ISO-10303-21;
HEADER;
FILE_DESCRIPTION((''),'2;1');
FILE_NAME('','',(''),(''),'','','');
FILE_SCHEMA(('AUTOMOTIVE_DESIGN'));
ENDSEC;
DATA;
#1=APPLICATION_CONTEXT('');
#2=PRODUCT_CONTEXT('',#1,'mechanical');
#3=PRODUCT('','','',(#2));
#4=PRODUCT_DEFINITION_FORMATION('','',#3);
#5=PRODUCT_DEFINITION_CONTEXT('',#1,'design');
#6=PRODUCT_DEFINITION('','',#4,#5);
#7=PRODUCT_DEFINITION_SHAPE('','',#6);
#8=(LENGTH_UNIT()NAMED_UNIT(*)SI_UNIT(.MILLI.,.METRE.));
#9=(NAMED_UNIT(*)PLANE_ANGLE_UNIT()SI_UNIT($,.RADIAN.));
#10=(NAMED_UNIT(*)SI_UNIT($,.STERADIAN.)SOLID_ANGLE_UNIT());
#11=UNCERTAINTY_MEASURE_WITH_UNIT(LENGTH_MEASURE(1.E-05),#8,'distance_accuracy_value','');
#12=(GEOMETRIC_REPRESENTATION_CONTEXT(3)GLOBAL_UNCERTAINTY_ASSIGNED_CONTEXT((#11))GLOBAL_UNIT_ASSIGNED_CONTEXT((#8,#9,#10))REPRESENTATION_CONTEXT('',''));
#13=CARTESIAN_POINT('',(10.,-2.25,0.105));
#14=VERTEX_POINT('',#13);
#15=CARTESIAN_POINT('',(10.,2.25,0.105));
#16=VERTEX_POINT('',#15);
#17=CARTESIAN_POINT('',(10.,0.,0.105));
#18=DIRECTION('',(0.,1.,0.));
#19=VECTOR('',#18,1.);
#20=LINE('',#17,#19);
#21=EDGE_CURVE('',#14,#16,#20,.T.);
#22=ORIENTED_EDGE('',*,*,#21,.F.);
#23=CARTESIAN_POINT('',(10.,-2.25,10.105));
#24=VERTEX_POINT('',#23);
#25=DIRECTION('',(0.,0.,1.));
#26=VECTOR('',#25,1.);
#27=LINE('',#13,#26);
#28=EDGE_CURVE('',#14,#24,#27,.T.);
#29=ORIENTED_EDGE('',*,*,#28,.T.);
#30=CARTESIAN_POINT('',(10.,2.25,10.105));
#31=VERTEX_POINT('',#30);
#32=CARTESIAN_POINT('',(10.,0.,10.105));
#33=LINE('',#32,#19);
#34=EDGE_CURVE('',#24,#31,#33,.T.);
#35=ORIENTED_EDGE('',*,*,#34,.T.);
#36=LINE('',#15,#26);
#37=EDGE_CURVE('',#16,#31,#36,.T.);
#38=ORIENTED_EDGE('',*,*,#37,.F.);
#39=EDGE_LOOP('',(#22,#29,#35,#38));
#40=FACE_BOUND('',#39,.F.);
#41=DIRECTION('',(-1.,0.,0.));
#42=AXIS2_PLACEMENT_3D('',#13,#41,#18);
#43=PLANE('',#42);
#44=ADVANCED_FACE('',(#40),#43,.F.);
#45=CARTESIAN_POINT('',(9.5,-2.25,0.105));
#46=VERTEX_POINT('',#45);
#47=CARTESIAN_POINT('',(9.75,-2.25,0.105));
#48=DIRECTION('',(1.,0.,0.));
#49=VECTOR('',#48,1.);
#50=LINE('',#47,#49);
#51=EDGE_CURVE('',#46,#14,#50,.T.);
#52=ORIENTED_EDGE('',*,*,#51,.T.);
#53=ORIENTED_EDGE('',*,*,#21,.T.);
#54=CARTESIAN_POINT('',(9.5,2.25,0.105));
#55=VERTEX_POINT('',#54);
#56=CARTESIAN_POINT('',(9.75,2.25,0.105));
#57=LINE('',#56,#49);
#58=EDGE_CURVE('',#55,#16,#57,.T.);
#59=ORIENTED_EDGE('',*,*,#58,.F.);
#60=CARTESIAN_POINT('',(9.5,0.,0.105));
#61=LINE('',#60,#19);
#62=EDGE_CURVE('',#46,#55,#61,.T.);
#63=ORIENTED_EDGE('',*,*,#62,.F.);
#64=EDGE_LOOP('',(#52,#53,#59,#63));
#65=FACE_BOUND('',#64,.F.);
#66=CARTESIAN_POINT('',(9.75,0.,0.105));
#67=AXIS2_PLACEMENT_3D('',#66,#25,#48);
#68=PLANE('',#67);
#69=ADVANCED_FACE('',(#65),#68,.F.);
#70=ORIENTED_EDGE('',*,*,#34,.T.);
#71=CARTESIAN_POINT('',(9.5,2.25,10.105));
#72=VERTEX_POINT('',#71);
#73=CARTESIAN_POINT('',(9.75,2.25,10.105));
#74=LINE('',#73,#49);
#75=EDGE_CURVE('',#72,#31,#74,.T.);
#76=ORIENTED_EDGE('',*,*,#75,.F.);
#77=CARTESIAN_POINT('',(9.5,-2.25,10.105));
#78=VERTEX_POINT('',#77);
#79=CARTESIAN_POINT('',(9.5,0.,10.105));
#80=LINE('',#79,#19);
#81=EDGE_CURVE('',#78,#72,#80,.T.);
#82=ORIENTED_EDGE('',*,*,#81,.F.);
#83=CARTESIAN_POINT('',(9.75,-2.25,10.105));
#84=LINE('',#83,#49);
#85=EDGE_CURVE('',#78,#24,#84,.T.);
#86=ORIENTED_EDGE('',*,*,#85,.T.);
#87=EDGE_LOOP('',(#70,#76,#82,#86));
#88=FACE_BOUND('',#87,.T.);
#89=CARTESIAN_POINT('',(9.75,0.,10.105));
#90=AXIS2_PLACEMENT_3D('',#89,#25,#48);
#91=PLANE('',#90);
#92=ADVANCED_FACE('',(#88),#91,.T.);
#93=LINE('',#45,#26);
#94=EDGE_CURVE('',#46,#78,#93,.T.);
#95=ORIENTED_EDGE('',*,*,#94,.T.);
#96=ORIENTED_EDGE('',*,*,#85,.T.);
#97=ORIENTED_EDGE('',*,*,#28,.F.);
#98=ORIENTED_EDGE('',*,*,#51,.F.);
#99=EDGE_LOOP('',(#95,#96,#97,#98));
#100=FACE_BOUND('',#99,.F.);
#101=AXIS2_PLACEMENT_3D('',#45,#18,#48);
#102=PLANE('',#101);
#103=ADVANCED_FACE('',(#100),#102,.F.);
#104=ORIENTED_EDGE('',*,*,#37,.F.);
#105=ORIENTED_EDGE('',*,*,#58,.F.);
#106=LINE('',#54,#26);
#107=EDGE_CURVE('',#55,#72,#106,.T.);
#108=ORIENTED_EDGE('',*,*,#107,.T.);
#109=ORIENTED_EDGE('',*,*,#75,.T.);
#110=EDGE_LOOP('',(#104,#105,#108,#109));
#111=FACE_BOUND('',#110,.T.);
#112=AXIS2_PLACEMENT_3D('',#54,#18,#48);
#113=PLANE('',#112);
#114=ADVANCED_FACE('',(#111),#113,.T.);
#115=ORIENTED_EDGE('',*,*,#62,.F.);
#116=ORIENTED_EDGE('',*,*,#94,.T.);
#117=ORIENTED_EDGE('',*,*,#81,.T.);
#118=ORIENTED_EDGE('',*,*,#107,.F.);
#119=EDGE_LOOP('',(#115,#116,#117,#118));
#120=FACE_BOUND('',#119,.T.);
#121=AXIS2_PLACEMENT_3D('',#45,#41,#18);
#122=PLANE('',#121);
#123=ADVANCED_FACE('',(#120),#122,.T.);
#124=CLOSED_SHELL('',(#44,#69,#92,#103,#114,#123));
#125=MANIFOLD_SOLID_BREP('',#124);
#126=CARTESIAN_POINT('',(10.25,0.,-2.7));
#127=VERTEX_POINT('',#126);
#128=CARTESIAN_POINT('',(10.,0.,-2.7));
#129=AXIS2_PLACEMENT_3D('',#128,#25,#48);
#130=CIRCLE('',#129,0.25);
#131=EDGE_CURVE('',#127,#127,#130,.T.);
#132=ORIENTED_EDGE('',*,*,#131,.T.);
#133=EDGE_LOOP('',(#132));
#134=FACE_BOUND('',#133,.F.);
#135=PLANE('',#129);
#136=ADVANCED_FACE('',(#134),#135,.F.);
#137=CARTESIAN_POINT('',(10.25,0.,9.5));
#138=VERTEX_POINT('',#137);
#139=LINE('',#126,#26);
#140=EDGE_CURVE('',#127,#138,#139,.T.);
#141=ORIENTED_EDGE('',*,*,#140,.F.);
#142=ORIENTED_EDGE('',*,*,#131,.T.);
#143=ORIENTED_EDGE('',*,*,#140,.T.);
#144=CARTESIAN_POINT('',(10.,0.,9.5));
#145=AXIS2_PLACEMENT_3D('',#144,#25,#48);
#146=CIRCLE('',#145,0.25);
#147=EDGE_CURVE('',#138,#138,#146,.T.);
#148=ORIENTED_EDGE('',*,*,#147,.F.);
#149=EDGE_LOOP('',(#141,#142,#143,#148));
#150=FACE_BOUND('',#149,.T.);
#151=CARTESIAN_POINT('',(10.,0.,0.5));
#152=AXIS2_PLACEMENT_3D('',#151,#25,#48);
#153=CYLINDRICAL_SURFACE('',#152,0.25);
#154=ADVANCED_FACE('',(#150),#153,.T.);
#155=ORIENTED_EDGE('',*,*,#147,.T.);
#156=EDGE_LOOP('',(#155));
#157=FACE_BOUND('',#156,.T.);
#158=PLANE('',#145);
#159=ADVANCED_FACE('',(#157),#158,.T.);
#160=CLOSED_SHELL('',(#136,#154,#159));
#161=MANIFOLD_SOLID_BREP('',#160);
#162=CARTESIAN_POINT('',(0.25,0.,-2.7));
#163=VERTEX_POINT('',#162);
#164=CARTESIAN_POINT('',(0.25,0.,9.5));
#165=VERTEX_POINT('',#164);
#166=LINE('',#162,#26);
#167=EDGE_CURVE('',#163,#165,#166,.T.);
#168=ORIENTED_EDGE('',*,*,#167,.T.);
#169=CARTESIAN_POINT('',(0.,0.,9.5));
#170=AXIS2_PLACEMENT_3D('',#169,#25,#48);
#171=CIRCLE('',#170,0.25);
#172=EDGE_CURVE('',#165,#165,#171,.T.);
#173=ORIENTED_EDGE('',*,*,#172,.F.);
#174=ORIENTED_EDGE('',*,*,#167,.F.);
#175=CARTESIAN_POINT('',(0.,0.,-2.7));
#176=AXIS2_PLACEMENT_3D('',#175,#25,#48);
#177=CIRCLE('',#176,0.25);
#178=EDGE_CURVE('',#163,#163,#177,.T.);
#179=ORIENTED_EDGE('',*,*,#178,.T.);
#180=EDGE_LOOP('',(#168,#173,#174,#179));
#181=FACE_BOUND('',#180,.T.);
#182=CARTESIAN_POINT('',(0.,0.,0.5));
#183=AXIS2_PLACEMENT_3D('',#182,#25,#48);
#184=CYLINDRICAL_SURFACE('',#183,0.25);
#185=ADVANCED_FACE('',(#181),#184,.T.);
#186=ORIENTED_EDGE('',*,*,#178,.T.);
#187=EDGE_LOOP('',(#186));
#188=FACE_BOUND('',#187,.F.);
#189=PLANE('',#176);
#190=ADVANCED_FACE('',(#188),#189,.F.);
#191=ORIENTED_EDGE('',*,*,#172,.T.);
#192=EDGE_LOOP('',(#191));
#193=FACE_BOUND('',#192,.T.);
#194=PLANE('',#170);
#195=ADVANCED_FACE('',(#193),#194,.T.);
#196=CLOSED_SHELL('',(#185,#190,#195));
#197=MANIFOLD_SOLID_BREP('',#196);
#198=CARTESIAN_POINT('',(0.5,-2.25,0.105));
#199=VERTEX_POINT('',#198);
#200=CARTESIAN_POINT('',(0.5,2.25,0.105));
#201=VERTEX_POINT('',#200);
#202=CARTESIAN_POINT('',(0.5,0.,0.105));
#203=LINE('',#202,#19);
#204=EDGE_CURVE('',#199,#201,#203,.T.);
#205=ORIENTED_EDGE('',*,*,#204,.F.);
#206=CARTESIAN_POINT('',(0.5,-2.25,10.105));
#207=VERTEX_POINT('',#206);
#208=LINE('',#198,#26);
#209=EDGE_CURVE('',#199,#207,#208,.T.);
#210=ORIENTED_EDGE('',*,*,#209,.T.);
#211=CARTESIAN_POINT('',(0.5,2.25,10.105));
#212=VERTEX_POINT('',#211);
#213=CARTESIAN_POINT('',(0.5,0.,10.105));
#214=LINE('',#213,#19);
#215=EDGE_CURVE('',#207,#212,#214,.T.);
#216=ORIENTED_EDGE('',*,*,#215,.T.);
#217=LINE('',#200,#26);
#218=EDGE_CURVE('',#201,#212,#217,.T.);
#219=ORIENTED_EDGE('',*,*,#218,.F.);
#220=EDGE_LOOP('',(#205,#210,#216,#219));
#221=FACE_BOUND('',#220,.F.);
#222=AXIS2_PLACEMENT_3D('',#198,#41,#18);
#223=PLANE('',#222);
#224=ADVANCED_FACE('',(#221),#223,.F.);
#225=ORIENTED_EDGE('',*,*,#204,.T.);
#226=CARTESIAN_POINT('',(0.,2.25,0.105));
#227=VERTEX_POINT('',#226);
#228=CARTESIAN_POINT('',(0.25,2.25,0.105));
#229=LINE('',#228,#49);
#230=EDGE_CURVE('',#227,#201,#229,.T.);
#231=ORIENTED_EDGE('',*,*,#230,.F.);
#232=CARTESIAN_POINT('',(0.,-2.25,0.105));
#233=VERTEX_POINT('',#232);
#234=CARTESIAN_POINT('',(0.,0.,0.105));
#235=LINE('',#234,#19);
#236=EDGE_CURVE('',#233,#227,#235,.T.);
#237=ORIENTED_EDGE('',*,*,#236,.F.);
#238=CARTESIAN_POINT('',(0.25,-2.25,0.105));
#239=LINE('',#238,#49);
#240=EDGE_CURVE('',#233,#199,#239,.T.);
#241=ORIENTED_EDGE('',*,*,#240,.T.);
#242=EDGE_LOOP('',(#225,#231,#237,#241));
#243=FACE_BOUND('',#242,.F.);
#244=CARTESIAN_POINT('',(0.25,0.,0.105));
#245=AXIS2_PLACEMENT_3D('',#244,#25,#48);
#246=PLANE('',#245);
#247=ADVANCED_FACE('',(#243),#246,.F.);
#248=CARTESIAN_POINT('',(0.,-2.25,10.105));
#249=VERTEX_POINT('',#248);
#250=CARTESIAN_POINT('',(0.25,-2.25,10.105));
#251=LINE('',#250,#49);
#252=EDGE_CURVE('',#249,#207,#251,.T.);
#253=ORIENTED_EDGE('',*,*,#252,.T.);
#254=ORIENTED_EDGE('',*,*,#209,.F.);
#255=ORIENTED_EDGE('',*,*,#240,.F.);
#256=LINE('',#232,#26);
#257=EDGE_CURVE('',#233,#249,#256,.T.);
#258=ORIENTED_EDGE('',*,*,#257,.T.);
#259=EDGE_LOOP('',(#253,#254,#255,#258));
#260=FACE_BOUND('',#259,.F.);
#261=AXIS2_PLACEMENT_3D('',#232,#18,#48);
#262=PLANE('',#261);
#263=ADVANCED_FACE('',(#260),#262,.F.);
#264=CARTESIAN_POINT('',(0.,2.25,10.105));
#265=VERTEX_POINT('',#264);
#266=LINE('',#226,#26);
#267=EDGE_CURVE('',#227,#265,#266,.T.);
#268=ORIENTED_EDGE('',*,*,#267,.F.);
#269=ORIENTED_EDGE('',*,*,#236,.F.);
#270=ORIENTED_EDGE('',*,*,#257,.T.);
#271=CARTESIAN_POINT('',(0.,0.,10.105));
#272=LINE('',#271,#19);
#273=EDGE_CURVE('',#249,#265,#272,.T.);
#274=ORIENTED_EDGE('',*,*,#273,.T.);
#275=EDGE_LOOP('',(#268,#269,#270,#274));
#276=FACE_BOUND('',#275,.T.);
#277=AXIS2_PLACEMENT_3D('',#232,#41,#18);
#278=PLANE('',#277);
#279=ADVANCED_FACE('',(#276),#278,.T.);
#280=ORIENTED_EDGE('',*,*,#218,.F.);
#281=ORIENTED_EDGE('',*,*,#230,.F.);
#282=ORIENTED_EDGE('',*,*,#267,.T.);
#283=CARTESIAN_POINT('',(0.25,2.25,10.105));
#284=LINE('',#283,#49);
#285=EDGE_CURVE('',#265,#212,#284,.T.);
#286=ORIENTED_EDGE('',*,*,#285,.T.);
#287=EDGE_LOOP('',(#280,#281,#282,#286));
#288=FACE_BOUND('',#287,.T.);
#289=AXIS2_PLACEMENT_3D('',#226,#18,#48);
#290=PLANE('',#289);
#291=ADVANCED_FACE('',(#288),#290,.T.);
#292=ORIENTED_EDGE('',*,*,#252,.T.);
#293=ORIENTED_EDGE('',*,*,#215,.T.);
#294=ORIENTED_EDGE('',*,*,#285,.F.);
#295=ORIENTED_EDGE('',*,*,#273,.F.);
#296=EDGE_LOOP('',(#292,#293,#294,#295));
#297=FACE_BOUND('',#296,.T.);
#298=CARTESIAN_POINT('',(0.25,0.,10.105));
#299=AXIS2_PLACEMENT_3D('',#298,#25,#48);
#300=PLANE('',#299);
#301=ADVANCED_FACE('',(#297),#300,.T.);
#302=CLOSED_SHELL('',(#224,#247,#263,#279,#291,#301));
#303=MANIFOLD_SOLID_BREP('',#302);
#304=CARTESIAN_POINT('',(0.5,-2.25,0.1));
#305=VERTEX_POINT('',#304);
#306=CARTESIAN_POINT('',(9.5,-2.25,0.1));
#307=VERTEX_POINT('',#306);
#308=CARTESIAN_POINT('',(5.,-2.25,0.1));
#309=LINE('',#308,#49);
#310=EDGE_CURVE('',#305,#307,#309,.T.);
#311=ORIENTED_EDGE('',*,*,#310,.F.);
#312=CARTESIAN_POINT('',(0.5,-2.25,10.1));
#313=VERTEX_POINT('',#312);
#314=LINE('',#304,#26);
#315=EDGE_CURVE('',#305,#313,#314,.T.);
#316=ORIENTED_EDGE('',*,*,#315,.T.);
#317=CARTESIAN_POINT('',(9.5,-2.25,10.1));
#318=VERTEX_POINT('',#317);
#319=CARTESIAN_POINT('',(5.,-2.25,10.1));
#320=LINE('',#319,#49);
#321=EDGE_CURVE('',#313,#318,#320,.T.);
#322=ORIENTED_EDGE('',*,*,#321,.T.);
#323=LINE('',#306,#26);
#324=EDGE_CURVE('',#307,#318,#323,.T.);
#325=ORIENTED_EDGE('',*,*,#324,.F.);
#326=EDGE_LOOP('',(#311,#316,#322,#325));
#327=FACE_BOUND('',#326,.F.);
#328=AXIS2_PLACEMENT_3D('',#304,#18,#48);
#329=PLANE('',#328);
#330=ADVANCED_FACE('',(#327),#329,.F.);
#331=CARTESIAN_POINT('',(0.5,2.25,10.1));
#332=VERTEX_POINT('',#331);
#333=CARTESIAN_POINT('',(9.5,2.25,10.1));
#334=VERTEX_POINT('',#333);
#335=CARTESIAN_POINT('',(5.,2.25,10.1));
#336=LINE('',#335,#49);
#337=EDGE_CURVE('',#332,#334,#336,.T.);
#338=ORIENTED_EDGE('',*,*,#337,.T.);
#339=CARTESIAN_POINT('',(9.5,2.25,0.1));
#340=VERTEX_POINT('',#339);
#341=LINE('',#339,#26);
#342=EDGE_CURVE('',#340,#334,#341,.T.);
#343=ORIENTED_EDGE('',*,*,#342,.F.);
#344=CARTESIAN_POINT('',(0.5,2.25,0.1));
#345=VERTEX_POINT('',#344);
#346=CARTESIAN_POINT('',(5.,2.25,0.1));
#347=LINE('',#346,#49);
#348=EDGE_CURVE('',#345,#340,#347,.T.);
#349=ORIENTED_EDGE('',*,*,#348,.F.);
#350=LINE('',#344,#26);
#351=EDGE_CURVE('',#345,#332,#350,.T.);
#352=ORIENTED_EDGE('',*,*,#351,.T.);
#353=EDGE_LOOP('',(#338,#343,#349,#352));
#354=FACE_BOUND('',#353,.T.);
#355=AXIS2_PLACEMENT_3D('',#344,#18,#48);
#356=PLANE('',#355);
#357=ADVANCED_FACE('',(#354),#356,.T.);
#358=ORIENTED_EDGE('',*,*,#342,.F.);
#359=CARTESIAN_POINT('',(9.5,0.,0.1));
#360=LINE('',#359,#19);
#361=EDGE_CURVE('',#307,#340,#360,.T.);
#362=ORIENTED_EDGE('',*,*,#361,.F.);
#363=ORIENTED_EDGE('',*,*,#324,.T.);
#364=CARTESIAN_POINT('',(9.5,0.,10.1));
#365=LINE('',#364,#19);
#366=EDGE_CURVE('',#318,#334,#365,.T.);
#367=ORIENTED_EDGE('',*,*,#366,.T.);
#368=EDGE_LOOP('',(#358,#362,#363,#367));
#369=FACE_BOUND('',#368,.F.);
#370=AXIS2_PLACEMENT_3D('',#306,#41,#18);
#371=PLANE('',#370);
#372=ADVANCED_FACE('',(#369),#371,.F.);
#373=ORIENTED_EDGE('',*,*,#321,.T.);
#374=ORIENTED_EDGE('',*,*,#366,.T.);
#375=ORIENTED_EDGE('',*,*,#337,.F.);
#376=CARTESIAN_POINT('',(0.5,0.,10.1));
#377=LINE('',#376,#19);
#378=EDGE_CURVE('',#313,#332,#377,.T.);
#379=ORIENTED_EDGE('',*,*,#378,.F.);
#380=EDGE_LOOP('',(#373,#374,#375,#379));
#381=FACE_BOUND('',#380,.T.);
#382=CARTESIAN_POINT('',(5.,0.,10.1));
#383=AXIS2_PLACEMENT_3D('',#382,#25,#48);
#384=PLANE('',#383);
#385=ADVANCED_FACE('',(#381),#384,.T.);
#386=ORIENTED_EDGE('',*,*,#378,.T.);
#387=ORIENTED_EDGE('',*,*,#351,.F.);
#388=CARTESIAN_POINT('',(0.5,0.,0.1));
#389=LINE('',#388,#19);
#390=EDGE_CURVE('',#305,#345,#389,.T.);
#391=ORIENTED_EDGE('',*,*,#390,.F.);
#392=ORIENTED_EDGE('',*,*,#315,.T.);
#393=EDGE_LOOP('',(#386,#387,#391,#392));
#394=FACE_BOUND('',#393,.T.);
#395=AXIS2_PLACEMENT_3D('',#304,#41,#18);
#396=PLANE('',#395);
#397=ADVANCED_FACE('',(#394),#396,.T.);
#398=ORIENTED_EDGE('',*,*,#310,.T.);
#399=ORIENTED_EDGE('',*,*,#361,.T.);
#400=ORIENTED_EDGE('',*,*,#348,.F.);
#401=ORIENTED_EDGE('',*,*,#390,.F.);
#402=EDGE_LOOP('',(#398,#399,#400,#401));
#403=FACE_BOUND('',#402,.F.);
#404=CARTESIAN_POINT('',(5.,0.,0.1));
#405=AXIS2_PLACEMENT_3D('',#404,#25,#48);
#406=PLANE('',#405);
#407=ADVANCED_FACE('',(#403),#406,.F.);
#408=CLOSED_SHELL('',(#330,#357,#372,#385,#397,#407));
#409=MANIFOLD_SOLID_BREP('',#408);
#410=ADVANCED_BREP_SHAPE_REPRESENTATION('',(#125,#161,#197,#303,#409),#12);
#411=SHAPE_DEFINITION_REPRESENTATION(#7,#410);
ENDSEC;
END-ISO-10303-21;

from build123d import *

# Parameters (mm, degrees)
SKETCH_W          = 9
SKETCH_H          = 4.5
PAD_DEPTH         = 10
SKETCH001_R       = 0.25
PAD001_DEPTH      = 9
PAD001_DEPTH_BACK = 3.2
SKETCH002_W       = 0.5
SKETCH002_H       = 4.5
PAD002_DEPTH      = 10


with BuildPart() as pad:
    # Sketch → Pad (new body)
    with BuildSketch(Plane.XY.offset(0.1)):
        with Locations((5, 0)):
            Rectangle(SKETCH_W, SKETCH_H)
    extrude(amount=PAD_DEPTH)


with BuildPart() as pad001:
    # Sketch001 → Pad001 (new body, two sides)
    with BuildSketch(Plane.XY.offset(0.5)) as pad001_sk:
        Circle(SKETCH001_R)
        with Locations((10, 0)):
            Circle(SKETCH001_R)
    extrude(amount=PAD001_DEPTH)
    extrude(pad001_sk.sketch, amount=-PAD001_DEPTH_BACK)


with BuildPart() as pad002:
    # Sketch002 → Pad002 (new body)
    with BuildSketch(Plane.XY.offset(0.105)):
        with Locations((0.25, 0)):
            Rectangle(SKETCH002_W, SKETCH002_H)
        with Locations((9.75, 0)):
            Rectangle(SKETCH002_W, SKETCH002_H)
    extrude(amount=PAD002_DEPTH)


solid = Compound([pad.part, pad001.part, pad002.part])
